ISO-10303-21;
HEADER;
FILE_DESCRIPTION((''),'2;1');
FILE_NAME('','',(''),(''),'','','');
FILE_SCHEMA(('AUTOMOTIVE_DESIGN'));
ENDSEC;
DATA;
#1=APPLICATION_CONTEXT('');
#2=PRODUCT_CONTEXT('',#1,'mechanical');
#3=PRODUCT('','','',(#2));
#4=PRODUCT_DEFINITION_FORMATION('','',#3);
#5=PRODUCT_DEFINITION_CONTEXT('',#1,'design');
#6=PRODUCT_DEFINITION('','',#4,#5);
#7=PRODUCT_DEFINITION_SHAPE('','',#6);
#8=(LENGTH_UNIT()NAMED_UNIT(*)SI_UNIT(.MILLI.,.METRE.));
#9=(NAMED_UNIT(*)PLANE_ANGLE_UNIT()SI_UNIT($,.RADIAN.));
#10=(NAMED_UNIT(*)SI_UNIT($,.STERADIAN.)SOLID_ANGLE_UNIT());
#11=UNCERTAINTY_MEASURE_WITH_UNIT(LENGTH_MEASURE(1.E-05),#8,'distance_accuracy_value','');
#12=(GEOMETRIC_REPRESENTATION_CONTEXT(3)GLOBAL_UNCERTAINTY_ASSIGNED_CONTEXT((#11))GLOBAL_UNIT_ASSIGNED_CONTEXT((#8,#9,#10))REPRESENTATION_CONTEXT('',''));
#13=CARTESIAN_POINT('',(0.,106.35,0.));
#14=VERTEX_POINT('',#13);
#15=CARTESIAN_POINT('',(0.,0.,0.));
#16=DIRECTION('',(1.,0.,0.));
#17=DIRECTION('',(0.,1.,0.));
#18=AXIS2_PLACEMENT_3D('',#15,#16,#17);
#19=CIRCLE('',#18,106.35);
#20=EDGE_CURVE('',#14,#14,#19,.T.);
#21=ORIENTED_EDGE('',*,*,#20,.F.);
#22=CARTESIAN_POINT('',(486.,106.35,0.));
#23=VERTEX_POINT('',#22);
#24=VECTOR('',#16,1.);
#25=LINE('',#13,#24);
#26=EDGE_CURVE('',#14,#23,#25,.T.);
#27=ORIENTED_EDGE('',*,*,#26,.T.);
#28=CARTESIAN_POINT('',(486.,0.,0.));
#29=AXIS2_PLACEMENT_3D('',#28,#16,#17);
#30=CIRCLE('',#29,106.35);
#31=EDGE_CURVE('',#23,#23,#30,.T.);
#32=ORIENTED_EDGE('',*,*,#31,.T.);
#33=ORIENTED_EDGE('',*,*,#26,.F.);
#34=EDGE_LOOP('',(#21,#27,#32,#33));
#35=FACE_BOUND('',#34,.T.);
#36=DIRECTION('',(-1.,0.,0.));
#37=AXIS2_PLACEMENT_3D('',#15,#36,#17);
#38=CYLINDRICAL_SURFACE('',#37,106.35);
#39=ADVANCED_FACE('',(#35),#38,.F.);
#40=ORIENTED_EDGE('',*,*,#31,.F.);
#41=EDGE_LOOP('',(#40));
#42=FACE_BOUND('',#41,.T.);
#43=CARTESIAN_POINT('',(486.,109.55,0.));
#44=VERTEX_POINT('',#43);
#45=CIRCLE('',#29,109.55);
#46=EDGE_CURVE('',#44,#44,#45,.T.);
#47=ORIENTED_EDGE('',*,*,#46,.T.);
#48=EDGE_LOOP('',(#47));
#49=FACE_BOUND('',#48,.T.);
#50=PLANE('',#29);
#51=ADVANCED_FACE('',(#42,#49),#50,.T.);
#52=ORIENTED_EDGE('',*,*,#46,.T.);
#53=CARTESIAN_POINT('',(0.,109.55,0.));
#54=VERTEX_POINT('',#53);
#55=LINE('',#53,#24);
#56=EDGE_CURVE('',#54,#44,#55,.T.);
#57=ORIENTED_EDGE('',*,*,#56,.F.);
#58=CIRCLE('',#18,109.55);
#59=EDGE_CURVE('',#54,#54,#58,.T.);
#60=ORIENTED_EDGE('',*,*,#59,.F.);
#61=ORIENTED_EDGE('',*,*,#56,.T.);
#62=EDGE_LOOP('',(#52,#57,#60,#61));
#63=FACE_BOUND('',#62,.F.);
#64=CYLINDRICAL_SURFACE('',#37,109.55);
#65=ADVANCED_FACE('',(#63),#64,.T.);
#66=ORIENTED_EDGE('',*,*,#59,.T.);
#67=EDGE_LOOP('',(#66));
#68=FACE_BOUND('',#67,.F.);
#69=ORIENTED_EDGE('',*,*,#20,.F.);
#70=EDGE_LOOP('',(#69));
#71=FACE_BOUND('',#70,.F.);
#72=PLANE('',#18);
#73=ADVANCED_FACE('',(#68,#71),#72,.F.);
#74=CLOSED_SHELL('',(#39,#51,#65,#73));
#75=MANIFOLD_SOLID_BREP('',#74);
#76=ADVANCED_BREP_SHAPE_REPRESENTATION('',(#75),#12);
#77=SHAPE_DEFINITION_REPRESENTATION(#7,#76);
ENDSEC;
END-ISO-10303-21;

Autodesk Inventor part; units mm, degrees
ref_plane "YZ Plane" through (0, 0, 0) normal (1, 0, 0) x (0, 1, 0)
ref_plane "XZ Plane" through (0, 0, 0) normal (0, 1, 0) x (-1, 0, 0)
ref_plane "XY Plane" through (0, 0, 0) normal (0, 0, 1) x (1, 0, 0)
sketch "Sketch1" plane through (0, 0, 0) normal (1, 0, 0) x (0, 1, 0)
  circle A0 centre (0, 0) radius 109.55
  circle A1 centre (0, 0) radius 106.35
  dimension "d0" = 219.1
  dimension "d1" = 3.2
extrude "Extrusion1" add sketch "Sketch1" along normal blind 486
equation "\"d0\" = OD"
equation "\"d1\" = t"
equation "\"d2\" = L"
equation "\"OD\" = 219.1"
equation "\"t\" = 3.2"
equation "\"L\" = PL"
equation "\"ID\" = 212.7"
equation "\"PL\" = 486"
equation "\"Size_Designation\" = 1.2345"
properties material "Steel"
